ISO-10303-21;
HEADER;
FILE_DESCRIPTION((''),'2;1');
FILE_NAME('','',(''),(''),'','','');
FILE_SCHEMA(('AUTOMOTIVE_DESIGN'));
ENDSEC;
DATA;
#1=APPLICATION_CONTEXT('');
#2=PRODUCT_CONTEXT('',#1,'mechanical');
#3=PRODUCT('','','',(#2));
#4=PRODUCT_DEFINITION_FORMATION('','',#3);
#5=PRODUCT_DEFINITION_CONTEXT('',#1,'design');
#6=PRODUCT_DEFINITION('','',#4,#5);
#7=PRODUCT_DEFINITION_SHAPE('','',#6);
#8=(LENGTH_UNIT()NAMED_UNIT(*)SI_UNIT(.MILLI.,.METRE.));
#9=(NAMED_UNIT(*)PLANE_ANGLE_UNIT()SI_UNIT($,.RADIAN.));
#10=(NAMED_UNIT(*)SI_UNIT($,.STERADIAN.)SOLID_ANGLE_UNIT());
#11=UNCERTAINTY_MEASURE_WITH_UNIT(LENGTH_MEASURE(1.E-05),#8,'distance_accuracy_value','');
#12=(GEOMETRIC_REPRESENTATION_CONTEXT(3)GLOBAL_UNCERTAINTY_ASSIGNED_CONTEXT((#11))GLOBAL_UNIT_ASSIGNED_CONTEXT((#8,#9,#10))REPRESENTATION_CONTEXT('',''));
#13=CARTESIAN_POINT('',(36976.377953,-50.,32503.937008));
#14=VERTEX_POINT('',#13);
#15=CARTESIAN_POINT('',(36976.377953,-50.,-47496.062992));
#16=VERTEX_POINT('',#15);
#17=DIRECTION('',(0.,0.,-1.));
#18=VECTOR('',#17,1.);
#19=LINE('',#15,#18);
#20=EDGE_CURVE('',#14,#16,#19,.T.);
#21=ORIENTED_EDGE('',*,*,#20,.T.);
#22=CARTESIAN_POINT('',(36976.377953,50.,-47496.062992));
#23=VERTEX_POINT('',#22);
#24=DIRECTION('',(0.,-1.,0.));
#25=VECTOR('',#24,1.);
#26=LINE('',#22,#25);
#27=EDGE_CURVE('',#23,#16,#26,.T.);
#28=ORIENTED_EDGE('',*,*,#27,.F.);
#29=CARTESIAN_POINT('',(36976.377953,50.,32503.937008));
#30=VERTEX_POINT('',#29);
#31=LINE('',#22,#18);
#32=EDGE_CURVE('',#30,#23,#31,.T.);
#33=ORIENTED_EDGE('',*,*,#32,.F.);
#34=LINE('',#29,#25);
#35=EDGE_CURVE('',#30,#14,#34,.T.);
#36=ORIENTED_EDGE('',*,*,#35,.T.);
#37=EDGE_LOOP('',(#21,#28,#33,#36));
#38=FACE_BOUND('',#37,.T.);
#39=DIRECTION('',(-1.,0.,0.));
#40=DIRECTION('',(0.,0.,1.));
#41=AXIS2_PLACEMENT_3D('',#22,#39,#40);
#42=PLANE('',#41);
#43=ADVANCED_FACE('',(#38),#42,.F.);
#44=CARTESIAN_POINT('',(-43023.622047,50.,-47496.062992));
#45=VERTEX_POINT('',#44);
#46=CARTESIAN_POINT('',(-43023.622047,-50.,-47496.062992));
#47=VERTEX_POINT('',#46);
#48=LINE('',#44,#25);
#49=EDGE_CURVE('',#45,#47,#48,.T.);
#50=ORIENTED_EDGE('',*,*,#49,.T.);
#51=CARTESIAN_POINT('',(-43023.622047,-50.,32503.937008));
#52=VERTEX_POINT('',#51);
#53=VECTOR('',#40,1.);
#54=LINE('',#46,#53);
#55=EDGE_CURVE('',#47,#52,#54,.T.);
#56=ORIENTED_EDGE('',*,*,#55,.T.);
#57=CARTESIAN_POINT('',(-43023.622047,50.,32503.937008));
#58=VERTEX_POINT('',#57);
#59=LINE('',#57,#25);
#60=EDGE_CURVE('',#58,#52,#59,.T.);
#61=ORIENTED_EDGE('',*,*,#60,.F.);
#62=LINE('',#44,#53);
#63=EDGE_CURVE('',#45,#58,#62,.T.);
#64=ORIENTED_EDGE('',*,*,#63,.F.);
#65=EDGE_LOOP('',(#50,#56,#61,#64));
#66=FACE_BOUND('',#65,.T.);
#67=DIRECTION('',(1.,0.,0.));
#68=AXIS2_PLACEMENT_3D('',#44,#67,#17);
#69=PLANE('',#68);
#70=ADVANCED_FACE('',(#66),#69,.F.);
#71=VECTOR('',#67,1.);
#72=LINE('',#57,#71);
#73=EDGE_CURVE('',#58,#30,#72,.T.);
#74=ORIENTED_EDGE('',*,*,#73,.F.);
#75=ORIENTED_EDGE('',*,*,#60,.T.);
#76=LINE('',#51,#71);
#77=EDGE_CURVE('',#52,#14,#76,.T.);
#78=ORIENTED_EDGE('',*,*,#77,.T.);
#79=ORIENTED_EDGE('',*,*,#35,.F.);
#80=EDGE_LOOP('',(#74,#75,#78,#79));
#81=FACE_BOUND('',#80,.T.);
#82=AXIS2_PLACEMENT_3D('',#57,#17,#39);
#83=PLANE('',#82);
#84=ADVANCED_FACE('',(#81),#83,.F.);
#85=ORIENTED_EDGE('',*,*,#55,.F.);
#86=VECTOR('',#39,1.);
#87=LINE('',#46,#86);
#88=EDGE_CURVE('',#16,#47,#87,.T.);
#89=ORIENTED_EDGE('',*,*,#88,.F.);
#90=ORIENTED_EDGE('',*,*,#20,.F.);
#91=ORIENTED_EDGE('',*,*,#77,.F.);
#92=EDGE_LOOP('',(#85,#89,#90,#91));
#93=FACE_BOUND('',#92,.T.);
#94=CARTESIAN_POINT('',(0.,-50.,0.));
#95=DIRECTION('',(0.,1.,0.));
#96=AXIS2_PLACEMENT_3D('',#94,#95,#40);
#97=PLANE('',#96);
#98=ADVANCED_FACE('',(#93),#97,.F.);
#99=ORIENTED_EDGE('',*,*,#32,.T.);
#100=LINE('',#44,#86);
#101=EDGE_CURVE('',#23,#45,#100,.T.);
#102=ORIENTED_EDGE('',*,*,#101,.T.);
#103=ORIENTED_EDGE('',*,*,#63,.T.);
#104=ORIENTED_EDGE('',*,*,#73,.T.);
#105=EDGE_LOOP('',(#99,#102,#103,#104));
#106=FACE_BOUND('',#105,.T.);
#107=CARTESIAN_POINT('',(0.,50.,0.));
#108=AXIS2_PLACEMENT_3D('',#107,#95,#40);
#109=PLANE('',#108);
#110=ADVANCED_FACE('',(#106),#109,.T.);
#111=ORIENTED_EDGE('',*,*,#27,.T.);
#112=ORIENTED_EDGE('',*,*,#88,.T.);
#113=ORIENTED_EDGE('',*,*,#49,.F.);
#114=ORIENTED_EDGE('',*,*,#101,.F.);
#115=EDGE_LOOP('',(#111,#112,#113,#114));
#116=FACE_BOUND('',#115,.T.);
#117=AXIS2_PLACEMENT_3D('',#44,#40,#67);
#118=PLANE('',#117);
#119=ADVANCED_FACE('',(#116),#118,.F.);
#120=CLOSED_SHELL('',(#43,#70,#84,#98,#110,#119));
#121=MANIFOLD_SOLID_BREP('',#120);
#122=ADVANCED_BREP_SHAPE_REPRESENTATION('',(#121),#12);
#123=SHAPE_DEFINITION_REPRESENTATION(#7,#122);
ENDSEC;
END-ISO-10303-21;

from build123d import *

# Parameters (mm, degrees)
SKETCH1_W           = 80000
SKETCH1_H           = 80000
BOSS_EXTRUDE1_DEPTH = 50


with BuildPart() as part:
    # Sketch1 → Boss-Extrude1 (new body, symmetric)
    with BuildSketch(Plane(origin=(0, 0, 0), x_dir=(1, 0, 0), z_dir=(0, 1, 0))):
        with Locations((-3023.622047244, 7496.062992126)):
            Rectangle(SKETCH1_W, SKETCH1_H)
    extrude(amount=BOSS_EXTRUDE1_DEPTH, both=True)


solid = part.part
